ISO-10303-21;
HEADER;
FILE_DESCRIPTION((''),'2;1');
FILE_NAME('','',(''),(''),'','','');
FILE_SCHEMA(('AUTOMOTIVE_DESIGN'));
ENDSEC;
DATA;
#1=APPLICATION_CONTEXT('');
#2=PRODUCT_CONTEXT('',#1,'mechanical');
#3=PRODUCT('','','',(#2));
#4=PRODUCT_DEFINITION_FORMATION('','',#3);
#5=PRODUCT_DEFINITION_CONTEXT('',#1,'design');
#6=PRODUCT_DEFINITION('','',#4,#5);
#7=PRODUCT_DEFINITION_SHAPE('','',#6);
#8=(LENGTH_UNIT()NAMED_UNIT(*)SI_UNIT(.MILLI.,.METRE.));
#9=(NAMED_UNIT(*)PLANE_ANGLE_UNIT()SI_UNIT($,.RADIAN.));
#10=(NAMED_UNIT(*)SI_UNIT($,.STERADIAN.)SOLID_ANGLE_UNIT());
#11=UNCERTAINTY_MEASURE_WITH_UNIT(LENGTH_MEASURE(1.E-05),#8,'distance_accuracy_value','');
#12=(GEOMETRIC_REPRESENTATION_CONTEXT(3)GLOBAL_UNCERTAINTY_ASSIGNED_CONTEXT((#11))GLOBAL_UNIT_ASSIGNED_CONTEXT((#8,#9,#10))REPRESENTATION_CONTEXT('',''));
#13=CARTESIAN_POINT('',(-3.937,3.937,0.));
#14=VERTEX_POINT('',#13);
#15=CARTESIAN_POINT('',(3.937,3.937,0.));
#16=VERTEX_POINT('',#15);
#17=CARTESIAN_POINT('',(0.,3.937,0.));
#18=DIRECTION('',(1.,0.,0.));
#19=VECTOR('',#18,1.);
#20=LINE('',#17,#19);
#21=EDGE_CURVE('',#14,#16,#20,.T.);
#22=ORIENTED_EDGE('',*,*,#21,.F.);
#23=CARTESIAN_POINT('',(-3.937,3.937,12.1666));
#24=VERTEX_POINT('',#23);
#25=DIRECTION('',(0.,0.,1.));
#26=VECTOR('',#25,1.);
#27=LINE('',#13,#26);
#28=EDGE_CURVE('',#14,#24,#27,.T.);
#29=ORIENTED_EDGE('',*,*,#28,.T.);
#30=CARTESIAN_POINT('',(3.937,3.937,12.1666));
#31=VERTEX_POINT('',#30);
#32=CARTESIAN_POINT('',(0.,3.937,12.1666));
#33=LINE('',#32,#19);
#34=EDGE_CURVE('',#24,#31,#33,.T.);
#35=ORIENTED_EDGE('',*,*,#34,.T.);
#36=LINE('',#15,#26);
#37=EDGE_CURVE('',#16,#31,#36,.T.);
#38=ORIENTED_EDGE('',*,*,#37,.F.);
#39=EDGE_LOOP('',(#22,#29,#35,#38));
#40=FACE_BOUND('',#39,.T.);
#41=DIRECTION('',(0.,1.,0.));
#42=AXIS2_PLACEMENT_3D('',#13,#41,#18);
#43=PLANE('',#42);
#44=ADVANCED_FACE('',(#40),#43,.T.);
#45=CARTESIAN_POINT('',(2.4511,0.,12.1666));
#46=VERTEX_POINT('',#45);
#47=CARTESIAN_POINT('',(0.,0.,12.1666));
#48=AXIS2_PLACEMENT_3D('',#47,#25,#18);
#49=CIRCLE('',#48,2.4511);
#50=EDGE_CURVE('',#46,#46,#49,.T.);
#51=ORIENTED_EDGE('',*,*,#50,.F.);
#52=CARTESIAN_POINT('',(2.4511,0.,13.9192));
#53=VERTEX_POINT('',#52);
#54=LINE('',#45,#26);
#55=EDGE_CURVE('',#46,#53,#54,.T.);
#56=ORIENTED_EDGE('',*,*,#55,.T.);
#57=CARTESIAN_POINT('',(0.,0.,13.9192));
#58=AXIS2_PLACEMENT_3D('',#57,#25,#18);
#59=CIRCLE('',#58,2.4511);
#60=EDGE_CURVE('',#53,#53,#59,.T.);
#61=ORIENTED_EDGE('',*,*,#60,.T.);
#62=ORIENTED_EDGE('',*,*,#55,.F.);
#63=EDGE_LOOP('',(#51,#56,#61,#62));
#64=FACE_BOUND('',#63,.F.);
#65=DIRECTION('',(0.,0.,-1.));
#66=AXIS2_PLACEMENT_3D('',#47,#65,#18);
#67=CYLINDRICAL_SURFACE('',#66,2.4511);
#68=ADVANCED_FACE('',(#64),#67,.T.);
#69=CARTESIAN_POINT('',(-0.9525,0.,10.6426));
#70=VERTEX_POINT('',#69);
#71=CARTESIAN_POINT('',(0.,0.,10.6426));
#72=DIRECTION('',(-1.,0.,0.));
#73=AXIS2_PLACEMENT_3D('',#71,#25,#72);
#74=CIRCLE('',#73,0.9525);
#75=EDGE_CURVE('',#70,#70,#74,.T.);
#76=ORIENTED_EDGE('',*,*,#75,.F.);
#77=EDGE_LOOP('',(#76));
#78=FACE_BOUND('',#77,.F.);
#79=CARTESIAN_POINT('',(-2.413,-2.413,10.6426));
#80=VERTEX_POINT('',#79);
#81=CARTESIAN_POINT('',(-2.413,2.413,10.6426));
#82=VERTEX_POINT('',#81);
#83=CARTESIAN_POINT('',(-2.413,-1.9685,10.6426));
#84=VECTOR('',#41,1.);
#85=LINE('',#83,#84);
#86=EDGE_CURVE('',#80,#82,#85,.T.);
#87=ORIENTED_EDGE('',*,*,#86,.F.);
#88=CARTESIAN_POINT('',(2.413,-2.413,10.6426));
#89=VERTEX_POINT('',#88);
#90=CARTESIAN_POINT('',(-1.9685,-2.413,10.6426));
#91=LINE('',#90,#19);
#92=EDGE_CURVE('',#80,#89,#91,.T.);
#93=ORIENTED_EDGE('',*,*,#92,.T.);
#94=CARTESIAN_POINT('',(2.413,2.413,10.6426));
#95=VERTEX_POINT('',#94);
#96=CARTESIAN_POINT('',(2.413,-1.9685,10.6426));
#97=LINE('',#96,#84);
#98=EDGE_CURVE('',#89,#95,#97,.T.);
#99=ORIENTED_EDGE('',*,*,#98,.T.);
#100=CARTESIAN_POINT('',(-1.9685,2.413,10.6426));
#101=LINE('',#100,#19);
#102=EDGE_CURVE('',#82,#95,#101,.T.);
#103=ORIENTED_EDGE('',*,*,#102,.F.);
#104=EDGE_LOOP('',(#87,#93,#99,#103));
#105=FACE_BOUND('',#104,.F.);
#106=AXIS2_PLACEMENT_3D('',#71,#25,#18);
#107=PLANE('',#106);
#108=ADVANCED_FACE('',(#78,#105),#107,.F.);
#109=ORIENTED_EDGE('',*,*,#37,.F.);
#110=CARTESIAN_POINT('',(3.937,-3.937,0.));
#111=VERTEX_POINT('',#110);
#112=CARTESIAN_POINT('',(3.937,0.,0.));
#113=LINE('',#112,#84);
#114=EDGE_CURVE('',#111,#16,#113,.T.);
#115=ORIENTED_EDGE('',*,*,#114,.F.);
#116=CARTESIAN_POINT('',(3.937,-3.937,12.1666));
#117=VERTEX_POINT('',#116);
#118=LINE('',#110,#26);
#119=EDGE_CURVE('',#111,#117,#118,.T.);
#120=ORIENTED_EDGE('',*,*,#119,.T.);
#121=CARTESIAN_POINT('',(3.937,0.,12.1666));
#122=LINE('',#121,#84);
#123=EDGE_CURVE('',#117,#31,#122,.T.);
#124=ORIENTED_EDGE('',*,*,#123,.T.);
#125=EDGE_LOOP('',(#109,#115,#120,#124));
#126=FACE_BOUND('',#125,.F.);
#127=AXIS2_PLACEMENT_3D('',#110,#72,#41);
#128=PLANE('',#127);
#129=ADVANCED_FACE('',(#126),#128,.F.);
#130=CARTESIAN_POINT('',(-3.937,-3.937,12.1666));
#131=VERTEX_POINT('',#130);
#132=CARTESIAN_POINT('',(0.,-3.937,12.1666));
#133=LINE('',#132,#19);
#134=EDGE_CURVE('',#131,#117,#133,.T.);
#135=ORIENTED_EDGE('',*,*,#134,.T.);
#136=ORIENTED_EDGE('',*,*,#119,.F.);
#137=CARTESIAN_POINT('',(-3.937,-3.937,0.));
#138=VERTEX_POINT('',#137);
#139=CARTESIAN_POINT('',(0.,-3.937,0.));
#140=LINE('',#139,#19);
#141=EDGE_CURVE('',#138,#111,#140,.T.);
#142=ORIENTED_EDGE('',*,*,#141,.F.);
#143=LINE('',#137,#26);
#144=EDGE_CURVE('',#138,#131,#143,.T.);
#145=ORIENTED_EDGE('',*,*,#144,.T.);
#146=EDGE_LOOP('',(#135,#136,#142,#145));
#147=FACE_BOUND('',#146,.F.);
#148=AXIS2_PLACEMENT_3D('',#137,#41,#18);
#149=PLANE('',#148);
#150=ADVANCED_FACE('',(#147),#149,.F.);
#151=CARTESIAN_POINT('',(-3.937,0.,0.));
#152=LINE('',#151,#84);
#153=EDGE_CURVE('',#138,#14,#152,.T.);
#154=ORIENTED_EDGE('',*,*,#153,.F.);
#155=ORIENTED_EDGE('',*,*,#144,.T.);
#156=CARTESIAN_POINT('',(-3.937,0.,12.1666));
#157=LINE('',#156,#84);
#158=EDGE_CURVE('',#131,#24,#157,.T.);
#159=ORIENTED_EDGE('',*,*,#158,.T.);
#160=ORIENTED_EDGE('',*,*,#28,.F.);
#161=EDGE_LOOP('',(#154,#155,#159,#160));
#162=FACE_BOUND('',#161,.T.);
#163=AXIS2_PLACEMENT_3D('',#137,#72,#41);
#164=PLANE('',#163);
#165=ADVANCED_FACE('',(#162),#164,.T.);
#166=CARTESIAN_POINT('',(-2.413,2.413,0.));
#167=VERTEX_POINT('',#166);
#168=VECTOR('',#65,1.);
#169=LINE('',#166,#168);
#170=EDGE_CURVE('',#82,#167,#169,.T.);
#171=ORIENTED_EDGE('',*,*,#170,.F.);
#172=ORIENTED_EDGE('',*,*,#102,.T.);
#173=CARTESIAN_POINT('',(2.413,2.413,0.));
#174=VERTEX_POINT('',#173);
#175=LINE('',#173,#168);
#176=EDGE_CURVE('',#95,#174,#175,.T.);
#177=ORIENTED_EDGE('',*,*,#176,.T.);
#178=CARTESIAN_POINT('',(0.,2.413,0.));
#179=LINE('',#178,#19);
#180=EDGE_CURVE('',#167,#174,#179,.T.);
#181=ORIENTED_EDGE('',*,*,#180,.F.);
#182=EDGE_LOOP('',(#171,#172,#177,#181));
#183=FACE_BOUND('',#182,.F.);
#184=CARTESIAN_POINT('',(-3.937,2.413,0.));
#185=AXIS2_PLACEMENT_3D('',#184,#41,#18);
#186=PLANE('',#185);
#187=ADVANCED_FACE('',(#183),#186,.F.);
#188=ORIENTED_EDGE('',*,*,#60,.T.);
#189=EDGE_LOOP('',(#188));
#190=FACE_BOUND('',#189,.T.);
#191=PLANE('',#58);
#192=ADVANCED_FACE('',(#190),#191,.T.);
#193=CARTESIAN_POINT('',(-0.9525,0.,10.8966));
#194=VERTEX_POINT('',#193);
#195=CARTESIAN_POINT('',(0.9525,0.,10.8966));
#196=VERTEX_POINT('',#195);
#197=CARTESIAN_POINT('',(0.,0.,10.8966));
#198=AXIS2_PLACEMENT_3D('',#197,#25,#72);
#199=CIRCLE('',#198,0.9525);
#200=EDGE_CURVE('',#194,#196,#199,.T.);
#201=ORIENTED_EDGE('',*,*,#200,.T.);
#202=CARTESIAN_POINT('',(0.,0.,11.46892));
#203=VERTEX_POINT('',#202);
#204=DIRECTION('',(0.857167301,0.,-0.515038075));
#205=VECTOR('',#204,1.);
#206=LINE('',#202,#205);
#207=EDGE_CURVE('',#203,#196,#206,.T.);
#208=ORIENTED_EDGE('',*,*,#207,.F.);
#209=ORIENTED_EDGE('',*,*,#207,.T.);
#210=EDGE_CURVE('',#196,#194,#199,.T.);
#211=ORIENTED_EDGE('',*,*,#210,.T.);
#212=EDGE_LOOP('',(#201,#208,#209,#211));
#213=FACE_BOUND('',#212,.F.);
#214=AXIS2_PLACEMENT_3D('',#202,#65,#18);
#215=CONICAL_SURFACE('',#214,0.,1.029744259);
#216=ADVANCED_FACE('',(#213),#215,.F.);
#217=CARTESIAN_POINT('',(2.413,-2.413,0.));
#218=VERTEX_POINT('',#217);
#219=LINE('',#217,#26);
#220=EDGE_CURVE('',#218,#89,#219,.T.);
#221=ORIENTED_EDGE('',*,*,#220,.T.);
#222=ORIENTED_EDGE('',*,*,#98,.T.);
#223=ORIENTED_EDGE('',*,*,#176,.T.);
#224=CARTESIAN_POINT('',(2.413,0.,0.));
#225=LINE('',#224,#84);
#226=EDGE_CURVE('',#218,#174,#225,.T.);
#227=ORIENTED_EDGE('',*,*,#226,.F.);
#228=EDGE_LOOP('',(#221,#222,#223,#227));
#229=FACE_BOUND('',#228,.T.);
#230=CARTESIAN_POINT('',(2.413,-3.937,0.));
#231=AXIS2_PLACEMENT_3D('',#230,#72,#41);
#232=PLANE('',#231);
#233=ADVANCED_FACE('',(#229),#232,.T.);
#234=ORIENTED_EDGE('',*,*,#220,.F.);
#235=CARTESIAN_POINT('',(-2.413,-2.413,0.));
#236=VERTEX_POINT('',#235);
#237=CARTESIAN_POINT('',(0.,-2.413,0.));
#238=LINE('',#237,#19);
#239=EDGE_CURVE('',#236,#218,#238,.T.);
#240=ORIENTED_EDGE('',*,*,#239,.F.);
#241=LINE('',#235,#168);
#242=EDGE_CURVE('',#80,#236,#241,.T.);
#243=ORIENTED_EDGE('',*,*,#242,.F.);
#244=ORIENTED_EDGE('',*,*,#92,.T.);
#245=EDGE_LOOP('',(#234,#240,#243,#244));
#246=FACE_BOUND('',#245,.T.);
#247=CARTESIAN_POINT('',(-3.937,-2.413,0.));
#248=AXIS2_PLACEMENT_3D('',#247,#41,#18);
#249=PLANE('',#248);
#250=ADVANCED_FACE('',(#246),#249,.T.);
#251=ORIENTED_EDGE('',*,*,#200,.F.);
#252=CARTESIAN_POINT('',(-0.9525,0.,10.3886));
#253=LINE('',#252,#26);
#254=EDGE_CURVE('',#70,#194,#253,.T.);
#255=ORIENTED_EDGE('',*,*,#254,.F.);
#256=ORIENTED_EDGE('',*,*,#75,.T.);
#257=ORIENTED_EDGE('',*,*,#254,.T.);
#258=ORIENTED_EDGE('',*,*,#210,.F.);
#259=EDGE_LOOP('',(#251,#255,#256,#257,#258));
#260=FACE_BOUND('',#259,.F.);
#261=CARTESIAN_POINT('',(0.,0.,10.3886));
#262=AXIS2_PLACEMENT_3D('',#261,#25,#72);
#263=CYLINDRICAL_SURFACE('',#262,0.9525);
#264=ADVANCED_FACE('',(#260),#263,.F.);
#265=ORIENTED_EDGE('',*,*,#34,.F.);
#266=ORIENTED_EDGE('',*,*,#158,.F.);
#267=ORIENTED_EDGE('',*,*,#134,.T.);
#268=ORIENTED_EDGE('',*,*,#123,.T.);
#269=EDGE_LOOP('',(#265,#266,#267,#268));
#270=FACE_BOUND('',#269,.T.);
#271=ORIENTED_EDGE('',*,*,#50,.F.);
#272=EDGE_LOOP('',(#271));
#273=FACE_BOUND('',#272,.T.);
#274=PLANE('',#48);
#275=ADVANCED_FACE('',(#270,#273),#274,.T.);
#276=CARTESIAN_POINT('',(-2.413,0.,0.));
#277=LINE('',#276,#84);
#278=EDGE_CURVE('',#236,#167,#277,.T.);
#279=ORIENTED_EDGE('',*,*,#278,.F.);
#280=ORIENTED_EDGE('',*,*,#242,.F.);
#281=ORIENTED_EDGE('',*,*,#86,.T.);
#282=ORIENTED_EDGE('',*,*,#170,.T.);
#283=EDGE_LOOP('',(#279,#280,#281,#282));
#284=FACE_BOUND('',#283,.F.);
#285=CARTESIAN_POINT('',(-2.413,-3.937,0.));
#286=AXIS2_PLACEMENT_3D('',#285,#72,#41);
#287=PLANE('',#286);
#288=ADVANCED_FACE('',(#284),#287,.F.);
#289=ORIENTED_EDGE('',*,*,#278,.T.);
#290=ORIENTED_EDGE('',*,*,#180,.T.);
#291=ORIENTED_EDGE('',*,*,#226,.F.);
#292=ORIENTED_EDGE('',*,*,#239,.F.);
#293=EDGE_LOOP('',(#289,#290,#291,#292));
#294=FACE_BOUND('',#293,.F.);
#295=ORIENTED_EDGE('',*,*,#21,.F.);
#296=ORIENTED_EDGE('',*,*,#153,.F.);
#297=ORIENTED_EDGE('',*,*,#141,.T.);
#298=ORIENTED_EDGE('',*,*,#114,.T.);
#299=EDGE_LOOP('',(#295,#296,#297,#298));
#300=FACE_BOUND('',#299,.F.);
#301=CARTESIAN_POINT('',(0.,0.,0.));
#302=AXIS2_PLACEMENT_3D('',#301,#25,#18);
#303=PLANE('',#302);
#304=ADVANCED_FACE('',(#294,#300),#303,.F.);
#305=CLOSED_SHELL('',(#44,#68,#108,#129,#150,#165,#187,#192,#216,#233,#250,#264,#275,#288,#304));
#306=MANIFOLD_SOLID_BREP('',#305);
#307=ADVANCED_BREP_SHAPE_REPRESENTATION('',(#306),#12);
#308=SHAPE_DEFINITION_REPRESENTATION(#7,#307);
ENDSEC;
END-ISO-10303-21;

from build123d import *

# Parameters (mm, degrees)
F0_W     = 7.874
F0_H     = 7.874
F1_DEPTH = 12.1666
F2_T     = -1.524
F4_D     = 1.905
F4_DEPTH = 0.254
F4_TIP   = 0.5723197396
F5_R     = 2.4511
F6_DEPTH = 1.7526


with BuildPart() as f1:
    # F0 (on Top) → F1 (new body)
    with BuildSketch(Plane.XY):
        Rectangle(F0_W, F0_H)
    extrude(amount=F1_DEPTH)

    # F2
    f2_openings = [f1.faces().sort_by_distance(p)[0] for p in [
        (0, 0, 0),
    ]]
    offset(amount=F2_T, openings=f2_openings)

    # F4
    with Locations(Plane(origin=(0, 0, 10.6426), x_dir=(1, 0, 0), z_dir=(0, 0, -1))):
        with Locations((0, 0)):
            Hole(F4_D / 2, depth=F4_DEPTH)
            with Locations((0, 0, -(F4_DEPTH + F4_TIP / 2))):  # 118° drill point
                Cone(0, F4_D / 2, F4_TIP, mode=Mode.SUBTRACT)

    # F5 (on face) → F6 (join)
    with BuildSketch(Plane.XY.offset(12.1666)):
        Circle(F5_R)
    extrude(amount=F6_DEPTH)


solid = f1.part
